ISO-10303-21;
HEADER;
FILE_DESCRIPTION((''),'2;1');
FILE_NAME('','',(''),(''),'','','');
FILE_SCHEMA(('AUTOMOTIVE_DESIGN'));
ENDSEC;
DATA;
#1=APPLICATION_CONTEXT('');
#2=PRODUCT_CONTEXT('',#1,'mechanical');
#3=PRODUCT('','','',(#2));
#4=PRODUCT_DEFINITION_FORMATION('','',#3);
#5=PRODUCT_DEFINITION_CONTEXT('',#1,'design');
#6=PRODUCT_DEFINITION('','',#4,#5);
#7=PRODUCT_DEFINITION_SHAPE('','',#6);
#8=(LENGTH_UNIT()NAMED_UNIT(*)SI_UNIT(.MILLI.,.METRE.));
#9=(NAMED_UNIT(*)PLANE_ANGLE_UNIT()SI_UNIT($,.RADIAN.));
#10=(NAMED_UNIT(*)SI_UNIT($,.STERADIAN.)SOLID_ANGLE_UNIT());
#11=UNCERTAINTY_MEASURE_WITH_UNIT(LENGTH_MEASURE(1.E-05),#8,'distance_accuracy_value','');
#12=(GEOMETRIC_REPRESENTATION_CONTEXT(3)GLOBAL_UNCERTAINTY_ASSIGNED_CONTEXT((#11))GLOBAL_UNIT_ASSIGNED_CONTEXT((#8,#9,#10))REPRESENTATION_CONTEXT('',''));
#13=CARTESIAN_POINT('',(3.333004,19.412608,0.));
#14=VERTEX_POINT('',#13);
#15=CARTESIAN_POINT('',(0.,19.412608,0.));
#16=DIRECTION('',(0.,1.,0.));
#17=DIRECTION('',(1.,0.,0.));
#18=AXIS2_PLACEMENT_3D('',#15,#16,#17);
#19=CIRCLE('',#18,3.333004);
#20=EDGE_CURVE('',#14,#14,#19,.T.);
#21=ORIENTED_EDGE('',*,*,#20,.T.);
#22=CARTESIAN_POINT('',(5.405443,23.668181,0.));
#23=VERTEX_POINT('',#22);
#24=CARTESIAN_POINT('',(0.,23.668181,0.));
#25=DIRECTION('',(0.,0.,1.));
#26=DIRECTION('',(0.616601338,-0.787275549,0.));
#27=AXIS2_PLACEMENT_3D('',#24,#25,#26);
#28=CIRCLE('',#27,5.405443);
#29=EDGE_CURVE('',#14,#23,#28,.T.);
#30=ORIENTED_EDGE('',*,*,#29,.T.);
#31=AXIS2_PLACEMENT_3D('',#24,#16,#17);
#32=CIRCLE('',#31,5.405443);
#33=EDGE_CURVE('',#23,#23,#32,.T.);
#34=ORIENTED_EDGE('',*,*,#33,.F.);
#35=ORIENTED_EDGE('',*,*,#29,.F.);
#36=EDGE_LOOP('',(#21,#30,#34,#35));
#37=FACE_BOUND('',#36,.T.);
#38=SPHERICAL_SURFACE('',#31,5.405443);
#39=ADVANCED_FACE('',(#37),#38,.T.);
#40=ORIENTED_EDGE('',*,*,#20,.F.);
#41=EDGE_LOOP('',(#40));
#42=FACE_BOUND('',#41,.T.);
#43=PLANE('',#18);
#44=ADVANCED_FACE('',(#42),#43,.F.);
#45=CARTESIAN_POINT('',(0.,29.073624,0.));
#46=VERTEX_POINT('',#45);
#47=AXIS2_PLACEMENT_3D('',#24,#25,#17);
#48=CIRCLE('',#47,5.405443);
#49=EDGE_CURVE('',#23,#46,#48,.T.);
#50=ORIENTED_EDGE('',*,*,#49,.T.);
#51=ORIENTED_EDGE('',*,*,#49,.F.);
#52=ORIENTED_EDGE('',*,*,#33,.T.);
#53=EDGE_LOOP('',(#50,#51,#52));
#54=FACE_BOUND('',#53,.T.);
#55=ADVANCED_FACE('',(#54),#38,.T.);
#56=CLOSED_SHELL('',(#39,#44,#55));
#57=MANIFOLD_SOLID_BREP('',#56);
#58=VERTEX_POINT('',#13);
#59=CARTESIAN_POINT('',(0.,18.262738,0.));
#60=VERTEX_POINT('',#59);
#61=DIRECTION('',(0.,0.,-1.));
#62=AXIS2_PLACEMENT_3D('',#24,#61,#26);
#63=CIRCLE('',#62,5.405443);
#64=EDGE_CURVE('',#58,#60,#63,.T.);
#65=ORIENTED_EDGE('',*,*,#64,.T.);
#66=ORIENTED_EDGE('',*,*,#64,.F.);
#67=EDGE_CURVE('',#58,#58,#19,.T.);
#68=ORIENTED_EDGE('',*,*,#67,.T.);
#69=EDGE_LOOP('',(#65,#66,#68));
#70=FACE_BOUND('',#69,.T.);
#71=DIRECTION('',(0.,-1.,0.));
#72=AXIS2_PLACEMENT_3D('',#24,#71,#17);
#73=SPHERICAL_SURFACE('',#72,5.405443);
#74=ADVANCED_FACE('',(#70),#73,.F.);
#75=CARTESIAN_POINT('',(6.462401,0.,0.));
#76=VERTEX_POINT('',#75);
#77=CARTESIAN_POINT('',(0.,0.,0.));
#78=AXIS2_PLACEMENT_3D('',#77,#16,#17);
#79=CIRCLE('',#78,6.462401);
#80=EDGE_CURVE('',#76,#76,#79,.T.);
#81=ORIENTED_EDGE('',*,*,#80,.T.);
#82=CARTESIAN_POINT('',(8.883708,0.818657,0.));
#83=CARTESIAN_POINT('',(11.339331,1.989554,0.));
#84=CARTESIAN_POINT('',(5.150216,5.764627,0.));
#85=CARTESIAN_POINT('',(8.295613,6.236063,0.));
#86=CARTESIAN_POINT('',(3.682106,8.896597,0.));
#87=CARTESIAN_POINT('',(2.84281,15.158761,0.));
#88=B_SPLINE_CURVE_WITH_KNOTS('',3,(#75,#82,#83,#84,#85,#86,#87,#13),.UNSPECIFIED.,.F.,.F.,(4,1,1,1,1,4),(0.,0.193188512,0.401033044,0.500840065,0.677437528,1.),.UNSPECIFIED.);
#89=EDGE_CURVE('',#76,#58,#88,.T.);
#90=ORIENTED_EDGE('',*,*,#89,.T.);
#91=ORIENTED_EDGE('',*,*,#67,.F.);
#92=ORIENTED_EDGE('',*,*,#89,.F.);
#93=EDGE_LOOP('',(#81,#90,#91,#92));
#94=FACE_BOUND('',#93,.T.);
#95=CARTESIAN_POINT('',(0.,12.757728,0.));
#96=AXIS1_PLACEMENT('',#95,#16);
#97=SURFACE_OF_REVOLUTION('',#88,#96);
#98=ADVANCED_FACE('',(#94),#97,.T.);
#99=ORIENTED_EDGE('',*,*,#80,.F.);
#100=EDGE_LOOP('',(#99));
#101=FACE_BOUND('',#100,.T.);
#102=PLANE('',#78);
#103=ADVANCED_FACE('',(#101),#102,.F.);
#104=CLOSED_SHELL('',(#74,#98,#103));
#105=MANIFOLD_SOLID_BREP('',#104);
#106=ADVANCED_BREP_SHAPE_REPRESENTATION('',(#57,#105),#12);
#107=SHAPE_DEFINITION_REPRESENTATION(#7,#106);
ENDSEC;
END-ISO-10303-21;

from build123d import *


with BuildPart() as f1:
    # F0 (on Top) → F1 (revolve)
    with BuildSketch(Plane.XY):
        with BuildLine():
            ThreePointArc((3.3330035002, 19.4126078993), (1.7628891909, 18.5582850921), (0, 18.2627379655))
            Line((0, 18.2627379655), (0, 0))
            Line((0, 0), (6.4624007791, 0))
            add(Edge.make_bspline(
                [(6.4624007791, 0), (8.8837076668, 0.8186570353), (11.3393311618, 1.9895544653), (5.1502156612, 5.7646270938), (8.2956126796, 6.236063442), (3.6821060585, 8.8965973834), (2.8428098909, 15.1587608032), (3.3330035002, 19.4126078993)],
                knots=[0, 0, 0, 0, 0.1931885117, 0.401033044, 0.5008400653, 0.6774375276, 1, 1, 1, 1], degree=3))
        make_face()
    revolve(axis=Axis((0, 12.7577278763, 0), (0, 1, 0)))


with BuildPart() as f1b:
    # F0 (on Top) → F1, piece 2 (revolve)
    with BuildSketch(Plane.XY):
        with BuildLine():
            Line((0, 25.5154557526), (0, 19.4126078993))
            Line((0, 19.4126078993), (3.3330035002, 19.4126078993))
            ThreePointArc((3.3330035002, 19.4126078993), (4.8597930559, 21.301489898), (5.4054431857, 23.6681811512))
            ThreePointArc((5.4054431857, 23.6681811512), (3.8222255319, 27.4904066831), (0, 29.0736243369))
            Line((0, 29.0736243369), (0, 25.5154557526))
        make_face()
    revolve(axis=Axis((0, 12.7577278763, 0), (0, 1, 0)))


solid = Compound([f1.part, f1b.part])
